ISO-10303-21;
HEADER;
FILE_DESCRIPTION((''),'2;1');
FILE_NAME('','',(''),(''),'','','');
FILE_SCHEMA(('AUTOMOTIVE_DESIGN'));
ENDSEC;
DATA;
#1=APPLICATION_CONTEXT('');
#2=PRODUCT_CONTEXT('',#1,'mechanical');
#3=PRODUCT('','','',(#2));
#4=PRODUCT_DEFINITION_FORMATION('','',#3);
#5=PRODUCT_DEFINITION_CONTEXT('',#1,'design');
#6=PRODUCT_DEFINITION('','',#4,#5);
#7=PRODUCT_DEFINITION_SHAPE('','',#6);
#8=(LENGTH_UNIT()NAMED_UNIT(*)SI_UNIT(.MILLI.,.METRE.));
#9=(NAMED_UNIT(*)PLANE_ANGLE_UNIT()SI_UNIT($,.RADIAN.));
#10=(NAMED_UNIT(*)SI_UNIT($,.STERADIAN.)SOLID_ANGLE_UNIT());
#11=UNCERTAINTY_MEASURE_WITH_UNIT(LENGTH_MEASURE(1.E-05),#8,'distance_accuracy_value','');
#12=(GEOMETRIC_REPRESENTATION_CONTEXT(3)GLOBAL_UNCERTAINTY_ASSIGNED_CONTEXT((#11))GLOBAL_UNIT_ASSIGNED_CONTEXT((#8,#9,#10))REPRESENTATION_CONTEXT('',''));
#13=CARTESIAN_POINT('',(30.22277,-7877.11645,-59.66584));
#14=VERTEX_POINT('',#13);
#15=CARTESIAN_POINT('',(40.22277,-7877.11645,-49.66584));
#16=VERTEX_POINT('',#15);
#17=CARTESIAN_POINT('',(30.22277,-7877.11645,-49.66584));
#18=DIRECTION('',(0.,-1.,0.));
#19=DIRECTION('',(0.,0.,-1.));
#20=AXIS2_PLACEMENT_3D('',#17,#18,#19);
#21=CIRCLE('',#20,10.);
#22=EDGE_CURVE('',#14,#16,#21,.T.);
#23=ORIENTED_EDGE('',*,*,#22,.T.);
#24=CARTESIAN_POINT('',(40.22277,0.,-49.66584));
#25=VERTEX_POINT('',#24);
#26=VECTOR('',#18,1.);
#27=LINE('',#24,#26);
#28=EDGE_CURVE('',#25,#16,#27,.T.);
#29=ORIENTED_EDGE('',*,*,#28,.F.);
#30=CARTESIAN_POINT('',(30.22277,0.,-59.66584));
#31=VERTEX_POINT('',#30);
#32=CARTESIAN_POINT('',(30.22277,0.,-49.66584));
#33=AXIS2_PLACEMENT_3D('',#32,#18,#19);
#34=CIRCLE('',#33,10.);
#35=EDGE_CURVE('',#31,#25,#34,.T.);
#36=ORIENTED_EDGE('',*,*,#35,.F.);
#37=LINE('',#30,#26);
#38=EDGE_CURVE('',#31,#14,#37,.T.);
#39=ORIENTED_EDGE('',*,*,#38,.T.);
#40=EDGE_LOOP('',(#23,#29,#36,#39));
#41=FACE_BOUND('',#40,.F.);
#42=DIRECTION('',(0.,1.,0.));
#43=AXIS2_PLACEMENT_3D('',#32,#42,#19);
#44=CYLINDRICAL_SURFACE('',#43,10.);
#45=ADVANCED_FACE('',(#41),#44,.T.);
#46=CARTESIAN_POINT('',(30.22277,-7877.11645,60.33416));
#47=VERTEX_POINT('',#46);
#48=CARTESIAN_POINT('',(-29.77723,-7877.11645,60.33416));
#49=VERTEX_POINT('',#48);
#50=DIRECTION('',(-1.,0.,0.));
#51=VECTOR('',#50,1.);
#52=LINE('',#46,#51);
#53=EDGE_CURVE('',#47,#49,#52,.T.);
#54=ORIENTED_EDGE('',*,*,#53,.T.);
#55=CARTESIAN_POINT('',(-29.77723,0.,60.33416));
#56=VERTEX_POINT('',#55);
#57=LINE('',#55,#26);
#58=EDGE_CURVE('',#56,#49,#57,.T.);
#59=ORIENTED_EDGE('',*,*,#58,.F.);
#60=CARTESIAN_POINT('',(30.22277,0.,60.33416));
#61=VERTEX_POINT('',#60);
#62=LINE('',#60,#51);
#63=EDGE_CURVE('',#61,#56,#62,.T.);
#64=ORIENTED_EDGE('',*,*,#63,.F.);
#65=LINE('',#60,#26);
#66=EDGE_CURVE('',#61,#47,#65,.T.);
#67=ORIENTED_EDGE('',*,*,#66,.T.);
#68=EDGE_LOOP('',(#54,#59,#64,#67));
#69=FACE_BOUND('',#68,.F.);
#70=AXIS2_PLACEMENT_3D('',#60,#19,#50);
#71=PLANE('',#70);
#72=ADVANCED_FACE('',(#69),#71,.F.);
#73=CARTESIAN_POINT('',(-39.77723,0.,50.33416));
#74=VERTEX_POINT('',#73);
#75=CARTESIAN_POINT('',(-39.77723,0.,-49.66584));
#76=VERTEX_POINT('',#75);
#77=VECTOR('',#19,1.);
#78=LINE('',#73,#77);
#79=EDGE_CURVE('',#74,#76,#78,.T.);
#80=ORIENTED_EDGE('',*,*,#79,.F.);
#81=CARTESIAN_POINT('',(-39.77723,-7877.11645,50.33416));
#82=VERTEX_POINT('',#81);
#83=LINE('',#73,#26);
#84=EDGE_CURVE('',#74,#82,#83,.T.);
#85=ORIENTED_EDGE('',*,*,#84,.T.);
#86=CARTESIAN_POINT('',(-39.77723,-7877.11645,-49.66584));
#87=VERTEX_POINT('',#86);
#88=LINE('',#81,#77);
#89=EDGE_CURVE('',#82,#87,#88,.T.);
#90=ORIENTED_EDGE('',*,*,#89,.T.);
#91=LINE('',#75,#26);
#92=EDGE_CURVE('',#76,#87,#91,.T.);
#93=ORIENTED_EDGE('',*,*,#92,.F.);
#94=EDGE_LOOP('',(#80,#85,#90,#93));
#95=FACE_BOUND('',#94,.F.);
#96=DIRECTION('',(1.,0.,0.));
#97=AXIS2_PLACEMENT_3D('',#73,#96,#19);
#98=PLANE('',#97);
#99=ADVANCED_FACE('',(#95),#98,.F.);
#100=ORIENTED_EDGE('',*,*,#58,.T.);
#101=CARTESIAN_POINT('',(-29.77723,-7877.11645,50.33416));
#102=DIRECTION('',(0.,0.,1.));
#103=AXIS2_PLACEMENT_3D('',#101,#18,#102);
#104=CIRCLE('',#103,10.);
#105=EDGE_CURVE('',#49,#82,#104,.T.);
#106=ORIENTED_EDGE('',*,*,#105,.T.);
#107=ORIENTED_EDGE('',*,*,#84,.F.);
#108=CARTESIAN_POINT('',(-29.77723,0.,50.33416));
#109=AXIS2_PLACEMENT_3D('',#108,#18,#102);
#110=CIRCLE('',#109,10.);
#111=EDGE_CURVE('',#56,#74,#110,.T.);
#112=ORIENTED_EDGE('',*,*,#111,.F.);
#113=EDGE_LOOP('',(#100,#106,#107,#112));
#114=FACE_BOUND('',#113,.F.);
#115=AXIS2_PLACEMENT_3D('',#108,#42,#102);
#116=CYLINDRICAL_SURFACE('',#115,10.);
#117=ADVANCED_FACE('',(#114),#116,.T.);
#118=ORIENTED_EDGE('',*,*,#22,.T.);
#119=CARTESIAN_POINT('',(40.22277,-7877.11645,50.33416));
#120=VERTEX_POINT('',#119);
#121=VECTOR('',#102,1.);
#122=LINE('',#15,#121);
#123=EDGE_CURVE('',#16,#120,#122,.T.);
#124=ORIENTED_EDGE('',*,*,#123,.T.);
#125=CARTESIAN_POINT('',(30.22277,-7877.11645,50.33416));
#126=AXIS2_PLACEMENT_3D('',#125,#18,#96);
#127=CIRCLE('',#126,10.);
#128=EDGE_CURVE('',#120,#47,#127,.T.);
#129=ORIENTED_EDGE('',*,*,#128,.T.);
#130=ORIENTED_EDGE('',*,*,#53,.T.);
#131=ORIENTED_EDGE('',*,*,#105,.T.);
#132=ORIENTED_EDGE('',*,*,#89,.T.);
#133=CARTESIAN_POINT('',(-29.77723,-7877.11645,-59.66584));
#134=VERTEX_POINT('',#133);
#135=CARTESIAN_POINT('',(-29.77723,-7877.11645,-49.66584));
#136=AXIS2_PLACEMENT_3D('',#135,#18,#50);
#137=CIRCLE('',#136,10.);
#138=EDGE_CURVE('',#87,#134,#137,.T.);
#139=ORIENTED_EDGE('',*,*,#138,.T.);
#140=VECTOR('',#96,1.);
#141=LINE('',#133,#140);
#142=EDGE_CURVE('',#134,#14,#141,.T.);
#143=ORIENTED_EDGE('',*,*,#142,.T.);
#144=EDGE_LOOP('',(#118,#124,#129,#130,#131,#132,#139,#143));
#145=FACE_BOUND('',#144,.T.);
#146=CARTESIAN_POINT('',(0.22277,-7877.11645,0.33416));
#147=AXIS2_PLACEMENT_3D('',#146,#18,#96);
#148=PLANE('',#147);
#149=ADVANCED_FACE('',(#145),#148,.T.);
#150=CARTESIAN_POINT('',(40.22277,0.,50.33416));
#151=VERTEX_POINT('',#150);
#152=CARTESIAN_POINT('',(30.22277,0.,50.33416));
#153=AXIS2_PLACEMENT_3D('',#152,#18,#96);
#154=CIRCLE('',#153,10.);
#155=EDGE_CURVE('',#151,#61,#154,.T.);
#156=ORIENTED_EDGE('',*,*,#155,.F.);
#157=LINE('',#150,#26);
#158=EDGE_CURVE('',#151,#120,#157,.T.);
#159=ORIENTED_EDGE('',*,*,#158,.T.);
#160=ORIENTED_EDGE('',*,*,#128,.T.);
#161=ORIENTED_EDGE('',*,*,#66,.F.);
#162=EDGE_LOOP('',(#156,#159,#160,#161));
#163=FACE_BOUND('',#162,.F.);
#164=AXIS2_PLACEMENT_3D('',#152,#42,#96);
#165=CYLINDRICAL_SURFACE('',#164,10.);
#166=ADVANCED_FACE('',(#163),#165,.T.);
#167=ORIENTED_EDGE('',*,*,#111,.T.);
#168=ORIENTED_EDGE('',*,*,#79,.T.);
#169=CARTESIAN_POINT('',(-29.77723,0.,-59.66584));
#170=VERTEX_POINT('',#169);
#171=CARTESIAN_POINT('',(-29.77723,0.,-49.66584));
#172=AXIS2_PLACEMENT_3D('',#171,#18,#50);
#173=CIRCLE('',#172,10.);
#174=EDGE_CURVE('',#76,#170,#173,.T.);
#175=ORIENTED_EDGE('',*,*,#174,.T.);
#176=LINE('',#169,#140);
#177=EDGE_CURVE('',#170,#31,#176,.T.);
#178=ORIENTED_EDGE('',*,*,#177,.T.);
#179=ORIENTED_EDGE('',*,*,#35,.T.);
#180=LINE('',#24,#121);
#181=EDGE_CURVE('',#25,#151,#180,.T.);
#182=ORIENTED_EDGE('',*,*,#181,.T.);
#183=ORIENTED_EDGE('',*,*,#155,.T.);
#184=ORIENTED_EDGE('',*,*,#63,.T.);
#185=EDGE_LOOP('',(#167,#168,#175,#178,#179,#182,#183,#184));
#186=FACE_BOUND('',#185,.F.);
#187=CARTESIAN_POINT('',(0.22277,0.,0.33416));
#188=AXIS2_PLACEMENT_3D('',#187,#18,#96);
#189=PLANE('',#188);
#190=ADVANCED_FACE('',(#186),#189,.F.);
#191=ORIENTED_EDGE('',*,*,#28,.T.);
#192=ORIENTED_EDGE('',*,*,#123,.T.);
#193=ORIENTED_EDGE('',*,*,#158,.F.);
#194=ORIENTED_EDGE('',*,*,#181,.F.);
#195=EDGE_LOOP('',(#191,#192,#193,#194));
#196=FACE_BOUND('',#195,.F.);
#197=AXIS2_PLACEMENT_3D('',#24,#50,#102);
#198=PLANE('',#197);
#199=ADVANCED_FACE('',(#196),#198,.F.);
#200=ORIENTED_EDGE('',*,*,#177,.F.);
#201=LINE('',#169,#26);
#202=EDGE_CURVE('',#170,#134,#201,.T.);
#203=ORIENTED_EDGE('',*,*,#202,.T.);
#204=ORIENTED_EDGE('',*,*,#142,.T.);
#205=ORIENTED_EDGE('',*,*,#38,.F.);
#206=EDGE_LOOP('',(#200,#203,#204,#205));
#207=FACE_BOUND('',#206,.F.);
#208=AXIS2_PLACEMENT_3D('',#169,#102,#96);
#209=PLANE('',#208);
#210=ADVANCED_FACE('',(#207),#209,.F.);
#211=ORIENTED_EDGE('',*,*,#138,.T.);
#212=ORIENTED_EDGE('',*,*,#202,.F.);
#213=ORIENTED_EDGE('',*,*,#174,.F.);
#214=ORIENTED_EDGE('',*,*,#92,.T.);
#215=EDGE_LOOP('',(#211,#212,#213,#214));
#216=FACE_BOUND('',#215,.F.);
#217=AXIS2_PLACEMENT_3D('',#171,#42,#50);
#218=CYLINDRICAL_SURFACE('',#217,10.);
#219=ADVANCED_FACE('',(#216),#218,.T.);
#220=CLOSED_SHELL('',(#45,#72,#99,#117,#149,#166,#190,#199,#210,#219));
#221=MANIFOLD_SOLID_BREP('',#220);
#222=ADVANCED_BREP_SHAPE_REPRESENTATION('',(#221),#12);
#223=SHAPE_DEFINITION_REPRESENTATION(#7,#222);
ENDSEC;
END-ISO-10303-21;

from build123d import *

# Parameters (mm, degrees)
F1_DEPTH = 7877.11645


with BuildPart() as f1:
    # F0 (on Front) → F1 (new body)
    with BuildSketch(Plane.XZ):
        with BuildLine():
            Line((30.2227697551, 60.3341597621), (-29.7772302449, 60.3341597621))
            ThreePointArc((-29.7772302449, 60.3341597621), (-36.8482980568, 57.405227574), (-39.7772302449, 50.3341597621))
            Line((-39.7772302449, 50.3341597621), (-39.7772302449, -49.6658402379))
            ThreePointArc((-39.7772302449, -49.6658402379), (-36.8482980568, -56.7369080497), (-29.7772302449, -59.6658402379))
            Line((-29.7772302449, -59.6658402379), (30.2227697551, -59.6658402379))
            ThreePointArc((30.2227697551, -59.6658402379), (37.2938375669, -56.7369080497), (40.2227697551, -49.6658402379))
            Line((40.2227697551, -49.6658402379), (40.2227697551, 50.3341597621))
            ThreePointArc((40.2227697551, 50.3341597621), (37.2938375669, 57.405227574), (30.2227697551, 60.3341597621))
        make_face()
        with BuildLine():
            ThreePointArc((-34.7772302449, 50.3341597621), (-33.3127641509, 53.8696936681), (-29.7772302449, 55.3341597621))
            Line((-29.7772302449, 55.3341597621), (30.2227697551, 55.3341597621))
            ThreePointArc((30.2227697551, 55.3341597621), (33.758303661, 53.8696936681), (35.2227697551, 50.3341597621))
            Line((35.2227697551, 50.3341597621), (35.2227697551, -49.6658402379))
            ThreePointArc((35.2227697551, -49.6658402379), (33.758303661, -53.2013741438), (30.2227697551, -54.6658402379))
            Line((30.2227697551, -54.6658402379), (-29.7772302449, -54.6658402379))
            ThreePointArc((-29.7772302449, -54.6658402379), (-33.3127641509, -53.2013741438), (-34.7772302449, -49.6658402379))
            Line((-34.7772302449, -49.6658402379), (-34.7772302449, 50.3341597621))
        make_face(mode=Mode.SUBTRACT)
        with BuildLine():
            Line((30.2227697551, 55.3341597621), (-29.7772302449, 55.3341597621))
            ThreePointArc((-29.7772302449, 55.3341597621), (-33.3127641509, 53.8696936681), (-34.7772302449, 50.3341597621))
            Line((-34.7772302449, 50.3341597621), (-34.7772302449, -49.6658402379))
            ThreePointArc((-34.7772302449, -49.6658402379), (-33.3127641509, -53.2013741438), (-29.7772302449, -54.6658402379))
            Line((-29.7772302449, -54.6658402379), (30.2227697551, -54.6658402379))
            ThreePointArc((30.2227697551, -54.6658402379), (33.758303661, -53.2013741438), (35.2227697551, -49.6658402379))
            Line((35.2227697551, -49.6658402379), (35.2227697551, 50.3341597621))
            ThreePointArc((35.2227697551, 50.3341597621), (33.758303661, 53.8696936681), (30.2227697551, 55.3341597621))
        make_face()
    extrude(amount=F1_DEPTH)


solid = f1.part
